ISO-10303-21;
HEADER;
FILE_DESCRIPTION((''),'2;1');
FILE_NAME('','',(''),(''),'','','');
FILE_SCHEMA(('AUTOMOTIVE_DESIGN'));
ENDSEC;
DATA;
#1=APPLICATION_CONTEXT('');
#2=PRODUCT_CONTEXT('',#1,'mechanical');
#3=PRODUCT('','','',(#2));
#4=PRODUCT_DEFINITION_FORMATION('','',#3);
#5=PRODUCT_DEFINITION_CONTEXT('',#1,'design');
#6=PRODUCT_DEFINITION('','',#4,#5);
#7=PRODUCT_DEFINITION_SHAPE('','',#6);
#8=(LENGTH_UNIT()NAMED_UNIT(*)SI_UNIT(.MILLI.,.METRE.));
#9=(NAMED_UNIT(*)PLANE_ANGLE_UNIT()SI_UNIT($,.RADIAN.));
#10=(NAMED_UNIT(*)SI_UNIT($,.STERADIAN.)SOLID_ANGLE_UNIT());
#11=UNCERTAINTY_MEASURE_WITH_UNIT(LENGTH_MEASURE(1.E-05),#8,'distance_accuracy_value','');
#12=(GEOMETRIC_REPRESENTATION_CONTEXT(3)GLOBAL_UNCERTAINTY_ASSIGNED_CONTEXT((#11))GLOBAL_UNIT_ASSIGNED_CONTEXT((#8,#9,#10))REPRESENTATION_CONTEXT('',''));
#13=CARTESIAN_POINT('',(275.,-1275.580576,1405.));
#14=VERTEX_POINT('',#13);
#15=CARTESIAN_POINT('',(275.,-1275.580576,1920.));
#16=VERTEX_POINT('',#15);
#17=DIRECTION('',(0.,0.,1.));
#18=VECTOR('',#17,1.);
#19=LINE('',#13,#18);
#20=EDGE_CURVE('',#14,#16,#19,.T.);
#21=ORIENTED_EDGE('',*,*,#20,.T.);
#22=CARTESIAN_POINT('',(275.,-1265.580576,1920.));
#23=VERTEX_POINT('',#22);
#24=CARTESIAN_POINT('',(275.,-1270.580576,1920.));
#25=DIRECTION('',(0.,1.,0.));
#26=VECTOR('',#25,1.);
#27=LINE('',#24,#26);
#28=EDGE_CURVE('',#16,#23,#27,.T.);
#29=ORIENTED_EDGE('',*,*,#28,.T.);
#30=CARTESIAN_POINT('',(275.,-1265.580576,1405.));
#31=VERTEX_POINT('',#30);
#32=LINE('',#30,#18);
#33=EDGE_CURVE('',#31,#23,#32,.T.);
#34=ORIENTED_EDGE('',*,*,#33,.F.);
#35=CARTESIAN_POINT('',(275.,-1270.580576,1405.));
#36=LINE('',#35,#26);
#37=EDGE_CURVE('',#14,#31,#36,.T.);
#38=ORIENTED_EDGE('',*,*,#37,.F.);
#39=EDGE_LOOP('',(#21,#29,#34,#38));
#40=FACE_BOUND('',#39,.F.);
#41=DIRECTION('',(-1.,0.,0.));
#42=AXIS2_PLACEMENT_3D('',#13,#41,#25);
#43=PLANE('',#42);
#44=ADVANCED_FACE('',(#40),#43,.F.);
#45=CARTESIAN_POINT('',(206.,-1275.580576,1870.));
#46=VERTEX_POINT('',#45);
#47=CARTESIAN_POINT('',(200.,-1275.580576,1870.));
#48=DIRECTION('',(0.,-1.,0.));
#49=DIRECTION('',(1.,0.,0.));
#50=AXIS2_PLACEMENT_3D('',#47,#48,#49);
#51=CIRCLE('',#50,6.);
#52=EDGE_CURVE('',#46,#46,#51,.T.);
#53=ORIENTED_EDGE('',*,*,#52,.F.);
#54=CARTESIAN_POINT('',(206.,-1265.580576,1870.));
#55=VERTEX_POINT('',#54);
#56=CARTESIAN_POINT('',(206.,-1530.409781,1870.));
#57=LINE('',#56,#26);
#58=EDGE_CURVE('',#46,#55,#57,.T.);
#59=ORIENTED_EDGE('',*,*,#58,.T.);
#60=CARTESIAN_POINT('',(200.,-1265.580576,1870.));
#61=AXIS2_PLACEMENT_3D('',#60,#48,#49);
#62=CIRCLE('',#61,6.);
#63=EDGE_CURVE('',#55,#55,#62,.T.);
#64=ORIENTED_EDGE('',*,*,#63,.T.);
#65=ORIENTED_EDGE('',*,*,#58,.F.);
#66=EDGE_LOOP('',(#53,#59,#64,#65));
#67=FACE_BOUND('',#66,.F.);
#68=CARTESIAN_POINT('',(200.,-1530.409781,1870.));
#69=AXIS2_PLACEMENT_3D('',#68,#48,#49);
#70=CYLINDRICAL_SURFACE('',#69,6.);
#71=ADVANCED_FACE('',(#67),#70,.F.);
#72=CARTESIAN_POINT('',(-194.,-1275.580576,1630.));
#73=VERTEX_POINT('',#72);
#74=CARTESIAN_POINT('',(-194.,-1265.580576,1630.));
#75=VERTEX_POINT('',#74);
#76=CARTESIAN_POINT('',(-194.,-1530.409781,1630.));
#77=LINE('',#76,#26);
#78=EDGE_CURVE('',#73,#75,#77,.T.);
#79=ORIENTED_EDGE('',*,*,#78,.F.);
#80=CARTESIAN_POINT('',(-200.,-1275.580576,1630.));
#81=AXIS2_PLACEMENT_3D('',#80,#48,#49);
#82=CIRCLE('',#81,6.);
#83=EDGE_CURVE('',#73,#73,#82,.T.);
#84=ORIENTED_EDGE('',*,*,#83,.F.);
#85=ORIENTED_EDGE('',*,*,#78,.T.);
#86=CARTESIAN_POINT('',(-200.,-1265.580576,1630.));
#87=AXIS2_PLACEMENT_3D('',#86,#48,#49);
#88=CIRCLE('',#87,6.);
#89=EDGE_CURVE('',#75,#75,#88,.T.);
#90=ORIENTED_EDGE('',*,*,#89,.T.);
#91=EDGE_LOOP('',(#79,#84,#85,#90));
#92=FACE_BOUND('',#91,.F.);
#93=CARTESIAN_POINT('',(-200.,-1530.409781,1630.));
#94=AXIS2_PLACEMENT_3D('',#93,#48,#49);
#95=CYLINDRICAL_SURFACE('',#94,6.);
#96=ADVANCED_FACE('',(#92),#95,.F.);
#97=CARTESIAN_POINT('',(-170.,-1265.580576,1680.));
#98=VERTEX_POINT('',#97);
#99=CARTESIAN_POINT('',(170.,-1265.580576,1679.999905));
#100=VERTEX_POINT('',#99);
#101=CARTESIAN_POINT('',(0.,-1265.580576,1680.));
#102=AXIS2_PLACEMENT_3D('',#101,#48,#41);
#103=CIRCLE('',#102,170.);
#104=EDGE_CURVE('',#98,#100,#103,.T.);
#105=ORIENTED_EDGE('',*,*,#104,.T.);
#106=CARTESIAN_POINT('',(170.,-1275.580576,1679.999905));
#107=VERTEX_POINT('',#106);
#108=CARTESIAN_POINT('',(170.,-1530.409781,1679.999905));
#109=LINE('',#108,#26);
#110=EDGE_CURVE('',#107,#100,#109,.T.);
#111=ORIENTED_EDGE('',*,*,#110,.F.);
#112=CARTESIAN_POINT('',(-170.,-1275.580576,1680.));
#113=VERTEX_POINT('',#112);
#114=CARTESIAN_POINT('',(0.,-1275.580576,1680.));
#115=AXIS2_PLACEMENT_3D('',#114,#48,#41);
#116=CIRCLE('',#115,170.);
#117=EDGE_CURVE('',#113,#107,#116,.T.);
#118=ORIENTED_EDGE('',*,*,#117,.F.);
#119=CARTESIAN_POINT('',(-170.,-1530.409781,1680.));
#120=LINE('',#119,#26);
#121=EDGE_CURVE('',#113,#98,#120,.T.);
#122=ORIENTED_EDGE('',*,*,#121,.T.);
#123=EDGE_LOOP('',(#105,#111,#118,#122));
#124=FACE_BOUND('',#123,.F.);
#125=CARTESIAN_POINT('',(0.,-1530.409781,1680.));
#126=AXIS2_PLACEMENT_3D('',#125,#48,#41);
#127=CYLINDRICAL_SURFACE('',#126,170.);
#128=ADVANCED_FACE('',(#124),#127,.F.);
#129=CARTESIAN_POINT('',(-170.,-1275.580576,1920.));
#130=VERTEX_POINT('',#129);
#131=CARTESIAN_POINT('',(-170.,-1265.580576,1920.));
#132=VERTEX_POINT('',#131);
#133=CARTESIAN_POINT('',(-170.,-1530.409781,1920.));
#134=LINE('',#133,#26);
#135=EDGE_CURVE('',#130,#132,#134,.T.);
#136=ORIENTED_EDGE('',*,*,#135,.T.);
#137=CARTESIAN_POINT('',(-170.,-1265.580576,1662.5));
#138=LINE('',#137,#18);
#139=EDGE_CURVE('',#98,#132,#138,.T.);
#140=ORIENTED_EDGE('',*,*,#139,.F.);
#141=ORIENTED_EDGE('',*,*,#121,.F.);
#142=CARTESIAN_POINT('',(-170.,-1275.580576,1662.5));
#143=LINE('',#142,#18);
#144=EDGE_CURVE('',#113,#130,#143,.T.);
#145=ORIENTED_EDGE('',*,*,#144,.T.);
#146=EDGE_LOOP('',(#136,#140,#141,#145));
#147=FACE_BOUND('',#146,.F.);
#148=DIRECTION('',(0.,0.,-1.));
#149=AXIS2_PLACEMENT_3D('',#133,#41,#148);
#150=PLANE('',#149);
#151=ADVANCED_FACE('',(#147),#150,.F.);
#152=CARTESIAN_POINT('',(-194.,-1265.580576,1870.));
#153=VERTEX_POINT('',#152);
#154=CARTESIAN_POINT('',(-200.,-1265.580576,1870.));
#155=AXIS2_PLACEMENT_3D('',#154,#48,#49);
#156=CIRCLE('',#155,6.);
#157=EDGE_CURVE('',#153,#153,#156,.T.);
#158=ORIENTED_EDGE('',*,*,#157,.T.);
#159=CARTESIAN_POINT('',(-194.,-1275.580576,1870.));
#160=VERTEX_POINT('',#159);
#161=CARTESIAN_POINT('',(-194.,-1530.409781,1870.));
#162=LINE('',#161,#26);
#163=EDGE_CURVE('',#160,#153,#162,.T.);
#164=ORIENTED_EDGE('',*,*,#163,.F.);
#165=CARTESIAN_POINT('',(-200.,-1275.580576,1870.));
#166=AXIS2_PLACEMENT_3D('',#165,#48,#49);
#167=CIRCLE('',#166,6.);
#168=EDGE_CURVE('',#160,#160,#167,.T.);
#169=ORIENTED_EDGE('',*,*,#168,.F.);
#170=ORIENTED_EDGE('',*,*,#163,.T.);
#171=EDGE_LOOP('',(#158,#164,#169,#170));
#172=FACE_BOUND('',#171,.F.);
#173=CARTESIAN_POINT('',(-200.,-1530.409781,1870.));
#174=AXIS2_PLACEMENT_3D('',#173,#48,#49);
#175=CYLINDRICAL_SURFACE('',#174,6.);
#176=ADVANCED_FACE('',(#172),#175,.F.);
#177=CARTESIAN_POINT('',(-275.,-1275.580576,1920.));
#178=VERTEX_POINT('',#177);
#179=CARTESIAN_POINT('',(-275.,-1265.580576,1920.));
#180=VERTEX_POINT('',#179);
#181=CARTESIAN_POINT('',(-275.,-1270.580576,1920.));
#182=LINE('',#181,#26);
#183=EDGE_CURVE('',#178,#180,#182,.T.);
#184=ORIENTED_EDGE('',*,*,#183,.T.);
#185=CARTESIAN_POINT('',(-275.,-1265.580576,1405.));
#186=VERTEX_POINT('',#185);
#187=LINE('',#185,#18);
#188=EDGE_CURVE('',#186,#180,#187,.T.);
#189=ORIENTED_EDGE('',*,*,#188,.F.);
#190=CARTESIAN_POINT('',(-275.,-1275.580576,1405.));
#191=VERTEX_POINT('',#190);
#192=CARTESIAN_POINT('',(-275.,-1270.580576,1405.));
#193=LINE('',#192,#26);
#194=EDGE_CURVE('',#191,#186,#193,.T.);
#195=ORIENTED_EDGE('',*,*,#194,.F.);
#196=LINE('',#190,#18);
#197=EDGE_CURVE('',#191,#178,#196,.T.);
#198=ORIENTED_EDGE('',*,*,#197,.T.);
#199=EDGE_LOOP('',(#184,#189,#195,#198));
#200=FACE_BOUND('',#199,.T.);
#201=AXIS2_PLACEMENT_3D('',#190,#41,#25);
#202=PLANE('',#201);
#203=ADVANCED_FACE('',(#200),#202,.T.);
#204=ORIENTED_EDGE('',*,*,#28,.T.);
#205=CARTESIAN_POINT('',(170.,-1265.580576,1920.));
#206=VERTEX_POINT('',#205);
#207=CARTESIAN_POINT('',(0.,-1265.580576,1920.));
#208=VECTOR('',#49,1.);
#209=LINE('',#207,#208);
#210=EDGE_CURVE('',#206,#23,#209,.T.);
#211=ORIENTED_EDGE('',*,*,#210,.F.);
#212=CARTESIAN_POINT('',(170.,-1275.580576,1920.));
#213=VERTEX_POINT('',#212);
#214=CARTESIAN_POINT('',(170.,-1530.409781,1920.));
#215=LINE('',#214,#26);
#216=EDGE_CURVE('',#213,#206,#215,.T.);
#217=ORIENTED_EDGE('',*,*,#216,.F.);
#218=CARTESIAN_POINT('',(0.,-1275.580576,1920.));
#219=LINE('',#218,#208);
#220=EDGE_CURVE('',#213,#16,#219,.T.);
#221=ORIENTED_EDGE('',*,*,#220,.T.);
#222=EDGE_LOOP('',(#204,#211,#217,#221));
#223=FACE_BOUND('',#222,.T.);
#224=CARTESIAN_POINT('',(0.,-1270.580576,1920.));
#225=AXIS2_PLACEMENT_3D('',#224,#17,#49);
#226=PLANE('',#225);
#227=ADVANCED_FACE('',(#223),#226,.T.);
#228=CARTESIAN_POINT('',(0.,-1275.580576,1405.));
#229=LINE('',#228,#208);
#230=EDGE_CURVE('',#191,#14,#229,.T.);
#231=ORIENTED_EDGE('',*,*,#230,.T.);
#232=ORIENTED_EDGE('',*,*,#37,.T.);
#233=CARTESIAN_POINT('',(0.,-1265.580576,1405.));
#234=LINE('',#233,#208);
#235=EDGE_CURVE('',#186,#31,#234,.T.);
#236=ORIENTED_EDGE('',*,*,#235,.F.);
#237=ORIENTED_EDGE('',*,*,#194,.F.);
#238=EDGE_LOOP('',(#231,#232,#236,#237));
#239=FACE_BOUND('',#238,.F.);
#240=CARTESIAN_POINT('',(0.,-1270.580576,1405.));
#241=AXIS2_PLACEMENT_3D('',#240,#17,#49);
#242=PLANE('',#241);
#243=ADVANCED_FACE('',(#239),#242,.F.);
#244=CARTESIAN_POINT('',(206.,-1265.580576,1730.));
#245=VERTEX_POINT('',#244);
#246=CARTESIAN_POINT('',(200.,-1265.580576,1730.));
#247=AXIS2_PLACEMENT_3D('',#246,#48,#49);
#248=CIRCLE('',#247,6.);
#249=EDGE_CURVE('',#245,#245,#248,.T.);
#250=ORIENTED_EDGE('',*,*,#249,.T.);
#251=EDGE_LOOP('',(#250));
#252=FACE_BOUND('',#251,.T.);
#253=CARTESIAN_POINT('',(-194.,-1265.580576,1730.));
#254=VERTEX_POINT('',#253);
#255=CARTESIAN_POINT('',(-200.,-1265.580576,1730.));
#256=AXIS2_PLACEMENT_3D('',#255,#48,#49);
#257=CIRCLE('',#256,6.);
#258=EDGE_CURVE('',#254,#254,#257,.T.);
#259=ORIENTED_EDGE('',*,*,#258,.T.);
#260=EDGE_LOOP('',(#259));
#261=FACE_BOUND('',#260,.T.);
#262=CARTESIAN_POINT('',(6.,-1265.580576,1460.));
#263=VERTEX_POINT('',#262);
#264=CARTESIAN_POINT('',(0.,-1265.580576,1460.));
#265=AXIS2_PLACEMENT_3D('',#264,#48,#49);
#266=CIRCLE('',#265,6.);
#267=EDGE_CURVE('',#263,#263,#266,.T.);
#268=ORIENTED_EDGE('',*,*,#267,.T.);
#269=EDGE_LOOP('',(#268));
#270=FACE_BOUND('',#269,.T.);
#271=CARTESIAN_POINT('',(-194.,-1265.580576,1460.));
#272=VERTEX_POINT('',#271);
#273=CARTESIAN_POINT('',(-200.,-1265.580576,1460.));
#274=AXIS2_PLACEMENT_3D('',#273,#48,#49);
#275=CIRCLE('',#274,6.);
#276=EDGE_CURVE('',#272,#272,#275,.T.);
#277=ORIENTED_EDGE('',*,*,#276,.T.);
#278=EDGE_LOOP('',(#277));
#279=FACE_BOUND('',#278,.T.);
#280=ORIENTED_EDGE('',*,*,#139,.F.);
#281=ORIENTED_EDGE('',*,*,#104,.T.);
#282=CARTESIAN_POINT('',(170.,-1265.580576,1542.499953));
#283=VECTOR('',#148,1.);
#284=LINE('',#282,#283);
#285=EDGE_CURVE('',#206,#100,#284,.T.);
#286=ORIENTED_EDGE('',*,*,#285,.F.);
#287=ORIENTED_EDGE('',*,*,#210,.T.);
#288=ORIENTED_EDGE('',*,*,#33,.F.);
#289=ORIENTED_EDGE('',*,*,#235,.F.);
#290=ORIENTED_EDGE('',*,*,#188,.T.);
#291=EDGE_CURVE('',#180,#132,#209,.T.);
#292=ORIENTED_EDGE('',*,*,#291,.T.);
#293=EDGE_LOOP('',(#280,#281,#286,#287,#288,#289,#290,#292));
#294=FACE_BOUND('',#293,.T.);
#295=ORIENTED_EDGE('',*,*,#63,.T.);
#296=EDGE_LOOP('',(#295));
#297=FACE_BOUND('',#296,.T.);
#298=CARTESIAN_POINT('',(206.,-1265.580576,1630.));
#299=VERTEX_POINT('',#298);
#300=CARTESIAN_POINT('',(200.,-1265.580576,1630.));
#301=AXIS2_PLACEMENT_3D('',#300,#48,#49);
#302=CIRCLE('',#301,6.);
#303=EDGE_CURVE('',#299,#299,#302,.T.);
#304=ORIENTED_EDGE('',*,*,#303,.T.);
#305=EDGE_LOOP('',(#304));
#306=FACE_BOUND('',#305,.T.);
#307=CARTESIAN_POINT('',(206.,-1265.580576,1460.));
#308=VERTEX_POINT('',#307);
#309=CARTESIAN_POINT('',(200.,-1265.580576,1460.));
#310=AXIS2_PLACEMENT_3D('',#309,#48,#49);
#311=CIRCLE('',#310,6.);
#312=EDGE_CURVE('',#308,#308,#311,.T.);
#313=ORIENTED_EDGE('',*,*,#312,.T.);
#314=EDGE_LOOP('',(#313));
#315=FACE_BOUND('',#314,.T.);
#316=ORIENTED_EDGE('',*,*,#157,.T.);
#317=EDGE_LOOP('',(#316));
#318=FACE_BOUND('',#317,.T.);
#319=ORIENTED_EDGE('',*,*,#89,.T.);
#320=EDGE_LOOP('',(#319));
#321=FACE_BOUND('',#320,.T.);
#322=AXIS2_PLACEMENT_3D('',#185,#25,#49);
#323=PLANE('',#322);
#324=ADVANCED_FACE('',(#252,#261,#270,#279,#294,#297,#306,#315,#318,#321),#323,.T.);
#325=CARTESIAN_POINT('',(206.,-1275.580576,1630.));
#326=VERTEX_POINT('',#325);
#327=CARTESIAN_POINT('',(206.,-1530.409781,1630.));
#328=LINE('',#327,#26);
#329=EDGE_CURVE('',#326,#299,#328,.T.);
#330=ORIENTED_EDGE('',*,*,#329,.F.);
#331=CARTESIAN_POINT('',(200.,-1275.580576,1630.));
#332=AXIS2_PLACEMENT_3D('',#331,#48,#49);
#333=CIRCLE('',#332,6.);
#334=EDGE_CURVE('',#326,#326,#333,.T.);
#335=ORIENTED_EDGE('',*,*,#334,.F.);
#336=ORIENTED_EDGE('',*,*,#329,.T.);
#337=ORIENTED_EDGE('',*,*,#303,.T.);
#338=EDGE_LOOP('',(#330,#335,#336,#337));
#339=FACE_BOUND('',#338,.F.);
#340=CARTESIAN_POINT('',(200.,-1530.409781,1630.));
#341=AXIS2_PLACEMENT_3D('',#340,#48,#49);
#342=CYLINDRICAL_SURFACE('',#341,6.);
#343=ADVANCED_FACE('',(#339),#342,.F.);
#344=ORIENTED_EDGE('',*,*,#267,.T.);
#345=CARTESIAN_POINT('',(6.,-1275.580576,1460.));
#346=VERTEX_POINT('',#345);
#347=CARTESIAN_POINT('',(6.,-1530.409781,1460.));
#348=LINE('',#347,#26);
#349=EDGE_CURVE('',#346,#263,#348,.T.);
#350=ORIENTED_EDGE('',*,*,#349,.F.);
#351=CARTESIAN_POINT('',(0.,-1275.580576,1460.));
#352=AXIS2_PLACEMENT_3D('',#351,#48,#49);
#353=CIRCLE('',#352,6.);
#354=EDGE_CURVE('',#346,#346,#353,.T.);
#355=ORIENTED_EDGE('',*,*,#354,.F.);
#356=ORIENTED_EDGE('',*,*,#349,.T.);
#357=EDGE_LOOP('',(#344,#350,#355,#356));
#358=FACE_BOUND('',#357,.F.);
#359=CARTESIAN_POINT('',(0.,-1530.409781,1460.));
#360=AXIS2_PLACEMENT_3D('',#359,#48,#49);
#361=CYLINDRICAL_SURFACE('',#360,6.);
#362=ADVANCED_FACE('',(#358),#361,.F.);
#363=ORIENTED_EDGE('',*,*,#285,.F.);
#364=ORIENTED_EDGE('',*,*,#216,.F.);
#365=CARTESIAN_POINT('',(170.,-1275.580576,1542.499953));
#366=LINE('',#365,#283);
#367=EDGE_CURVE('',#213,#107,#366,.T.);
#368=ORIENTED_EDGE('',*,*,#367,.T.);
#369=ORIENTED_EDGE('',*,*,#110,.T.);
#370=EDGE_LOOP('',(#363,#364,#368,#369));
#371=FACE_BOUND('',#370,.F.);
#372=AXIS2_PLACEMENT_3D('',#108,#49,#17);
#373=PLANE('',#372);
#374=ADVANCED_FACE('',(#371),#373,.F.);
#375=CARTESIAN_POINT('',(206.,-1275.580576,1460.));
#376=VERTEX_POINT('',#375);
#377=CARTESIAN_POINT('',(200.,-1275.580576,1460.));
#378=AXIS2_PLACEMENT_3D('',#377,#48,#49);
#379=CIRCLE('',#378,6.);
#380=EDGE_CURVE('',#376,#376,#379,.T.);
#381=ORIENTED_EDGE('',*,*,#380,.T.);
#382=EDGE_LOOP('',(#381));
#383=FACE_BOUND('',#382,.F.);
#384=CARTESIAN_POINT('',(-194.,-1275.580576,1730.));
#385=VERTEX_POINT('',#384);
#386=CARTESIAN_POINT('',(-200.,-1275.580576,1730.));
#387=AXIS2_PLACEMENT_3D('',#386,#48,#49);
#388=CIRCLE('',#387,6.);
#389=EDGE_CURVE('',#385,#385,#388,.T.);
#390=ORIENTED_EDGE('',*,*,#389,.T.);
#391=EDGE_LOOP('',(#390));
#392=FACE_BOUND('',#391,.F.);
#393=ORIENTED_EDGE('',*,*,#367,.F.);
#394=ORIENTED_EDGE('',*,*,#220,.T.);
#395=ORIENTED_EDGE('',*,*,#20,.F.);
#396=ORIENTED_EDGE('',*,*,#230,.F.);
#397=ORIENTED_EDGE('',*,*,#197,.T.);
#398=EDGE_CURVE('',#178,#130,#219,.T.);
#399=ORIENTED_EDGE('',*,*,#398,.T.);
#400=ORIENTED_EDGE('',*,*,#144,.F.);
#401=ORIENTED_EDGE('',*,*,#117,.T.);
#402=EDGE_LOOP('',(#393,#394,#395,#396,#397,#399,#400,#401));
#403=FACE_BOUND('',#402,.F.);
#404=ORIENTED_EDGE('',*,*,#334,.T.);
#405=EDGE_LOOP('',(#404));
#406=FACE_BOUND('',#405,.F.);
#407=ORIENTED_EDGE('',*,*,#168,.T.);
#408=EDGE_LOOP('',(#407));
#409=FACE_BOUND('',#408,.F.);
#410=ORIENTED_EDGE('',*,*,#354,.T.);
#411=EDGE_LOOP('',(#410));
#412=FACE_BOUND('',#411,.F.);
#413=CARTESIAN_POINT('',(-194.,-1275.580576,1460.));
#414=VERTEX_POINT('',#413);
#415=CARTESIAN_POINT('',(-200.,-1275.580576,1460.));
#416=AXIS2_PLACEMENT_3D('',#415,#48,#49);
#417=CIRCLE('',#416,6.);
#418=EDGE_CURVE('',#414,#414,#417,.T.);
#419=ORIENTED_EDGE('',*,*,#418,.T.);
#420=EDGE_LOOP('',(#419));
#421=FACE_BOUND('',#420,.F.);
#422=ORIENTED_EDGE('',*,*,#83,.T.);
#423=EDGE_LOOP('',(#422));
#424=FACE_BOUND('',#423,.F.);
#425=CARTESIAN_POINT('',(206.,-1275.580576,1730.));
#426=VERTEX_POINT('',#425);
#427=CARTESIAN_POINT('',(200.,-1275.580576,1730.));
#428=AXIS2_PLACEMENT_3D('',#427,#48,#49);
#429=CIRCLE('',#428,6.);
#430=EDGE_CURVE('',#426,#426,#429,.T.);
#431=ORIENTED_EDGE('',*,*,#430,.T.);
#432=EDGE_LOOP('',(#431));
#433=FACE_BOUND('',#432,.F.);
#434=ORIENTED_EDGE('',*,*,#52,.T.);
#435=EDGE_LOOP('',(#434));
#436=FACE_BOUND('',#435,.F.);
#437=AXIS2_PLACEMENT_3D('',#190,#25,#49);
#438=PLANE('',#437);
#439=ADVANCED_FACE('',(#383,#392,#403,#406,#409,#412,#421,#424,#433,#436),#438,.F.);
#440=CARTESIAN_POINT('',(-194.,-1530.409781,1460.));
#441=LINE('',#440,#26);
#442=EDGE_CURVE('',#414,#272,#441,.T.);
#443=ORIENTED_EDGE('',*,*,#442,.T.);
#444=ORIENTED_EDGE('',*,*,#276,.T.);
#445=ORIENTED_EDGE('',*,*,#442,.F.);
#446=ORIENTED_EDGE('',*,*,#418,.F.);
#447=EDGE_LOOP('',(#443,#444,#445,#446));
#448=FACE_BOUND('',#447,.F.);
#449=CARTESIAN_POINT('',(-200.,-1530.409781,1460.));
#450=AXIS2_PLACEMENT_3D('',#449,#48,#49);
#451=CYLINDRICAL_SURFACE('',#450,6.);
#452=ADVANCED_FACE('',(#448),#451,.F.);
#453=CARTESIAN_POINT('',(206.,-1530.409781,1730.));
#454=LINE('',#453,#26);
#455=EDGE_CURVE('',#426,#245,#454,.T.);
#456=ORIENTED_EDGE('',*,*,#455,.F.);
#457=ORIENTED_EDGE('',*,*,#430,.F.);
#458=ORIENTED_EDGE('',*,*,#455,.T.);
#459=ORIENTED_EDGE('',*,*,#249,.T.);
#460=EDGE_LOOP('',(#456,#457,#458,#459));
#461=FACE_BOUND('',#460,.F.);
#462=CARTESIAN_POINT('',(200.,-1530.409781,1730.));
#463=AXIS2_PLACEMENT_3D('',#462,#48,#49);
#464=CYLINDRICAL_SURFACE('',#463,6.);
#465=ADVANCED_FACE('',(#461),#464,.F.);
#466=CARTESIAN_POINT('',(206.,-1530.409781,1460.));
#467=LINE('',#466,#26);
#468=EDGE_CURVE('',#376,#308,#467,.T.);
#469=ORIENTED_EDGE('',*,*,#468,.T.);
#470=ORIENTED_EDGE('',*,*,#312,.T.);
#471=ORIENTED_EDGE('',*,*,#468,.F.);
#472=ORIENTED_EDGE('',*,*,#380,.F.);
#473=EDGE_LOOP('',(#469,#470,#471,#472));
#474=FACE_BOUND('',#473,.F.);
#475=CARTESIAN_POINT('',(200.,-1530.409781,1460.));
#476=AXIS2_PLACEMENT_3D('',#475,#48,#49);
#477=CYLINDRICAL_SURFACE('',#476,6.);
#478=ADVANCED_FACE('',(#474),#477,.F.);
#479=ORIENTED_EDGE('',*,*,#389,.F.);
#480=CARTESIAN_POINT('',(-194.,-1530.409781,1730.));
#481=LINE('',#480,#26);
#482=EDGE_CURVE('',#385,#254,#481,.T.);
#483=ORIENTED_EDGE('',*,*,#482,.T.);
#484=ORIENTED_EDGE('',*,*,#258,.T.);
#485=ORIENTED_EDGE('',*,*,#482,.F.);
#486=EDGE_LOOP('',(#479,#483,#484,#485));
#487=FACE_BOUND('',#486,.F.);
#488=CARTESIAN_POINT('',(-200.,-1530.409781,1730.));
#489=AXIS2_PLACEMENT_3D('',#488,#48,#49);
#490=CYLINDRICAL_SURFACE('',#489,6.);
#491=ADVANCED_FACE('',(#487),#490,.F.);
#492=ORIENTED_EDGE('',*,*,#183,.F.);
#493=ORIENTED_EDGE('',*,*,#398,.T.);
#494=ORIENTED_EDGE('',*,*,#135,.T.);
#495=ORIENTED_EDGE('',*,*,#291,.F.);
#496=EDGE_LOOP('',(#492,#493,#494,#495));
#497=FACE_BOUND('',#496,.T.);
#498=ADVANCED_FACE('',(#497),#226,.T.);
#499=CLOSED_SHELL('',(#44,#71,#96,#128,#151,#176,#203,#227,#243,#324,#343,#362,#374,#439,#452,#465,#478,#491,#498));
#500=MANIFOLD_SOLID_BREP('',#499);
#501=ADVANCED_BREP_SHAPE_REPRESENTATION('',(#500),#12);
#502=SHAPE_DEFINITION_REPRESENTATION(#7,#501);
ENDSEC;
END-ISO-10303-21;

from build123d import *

# Parameters (mm, degrees)
SKETCH005_R      = 6
EXTRUDE004_DEPTH = 1000
EXTRUDE003_DEPTH = 1000
SKETCH003_W      = 550
SKETCH003_H      = 10
EXTRUDE002_DEPTH = 515


with BuildPart() as extrude004:
    # Sketch005 → Extrude004 (new body)
    with BuildSketch(Plane.XZ.offset(1530.409781)):
        with Locations((-200, 1730)):
            Circle(SKETCH005_R)
        with Locations((-200, 1870)):
            Circle(SKETCH005_R)
        with Locations((200, 1870)):
            Circle(SKETCH005_R)
        with Locations((200, 1730)):
            Circle(SKETCH005_R)
        with Locations((-200, 1630)):
            Circle(SKETCH005_R)
        with Locations((-200, 1460)):
            Circle(SKETCH005_R)
        with Locations((200, 1630)):
            Circle(SKETCH005_R)
        with Locations((200, 1460)):
            Circle(SKETCH005_R)
        with Locations((0, 1460)):
            Circle(SKETCH005_R)
    extrude(amount=-EXTRUDE004_DEPTH)


with BuildPart() as extrude003:
    # Sketch004 → Extrude003 (new body)
    with BuildSketch(Plane.XZ.offset(1530.409781)):
        with BuildLine():
            Line((-170, 1920), (-170, 1680))
            ThreePointArc((-170, 1680), (-4.8e-05, 1510), (170, 1679.999905))
            Line((170, 1679.999905), (170, 1920))
            Line((170, 1920), (-170, 1920))
        make_face()
    extrude(amount=-EXTRUDE003_DEPTH)


with BuildPart() as cut002:
    # Sketch003 → Extrude002 (new body)
    with BuildSketch(Plane.XY.offset(1405)):
        with Locations((0, -1270.580576)):
            Rectangle(SKETCH003_W, SKETCH003_H)
    extrude(amount=EXTRUDE002_DEPTH)

    # Cut001: cut Extrude003
    add(extrude003.part, mode=Mode.SUBTRACT)

    # Cut002: cut Extrude004
    add(extrude004.part, mode=Mode.SUBTRACT)


solid = cut002.part
